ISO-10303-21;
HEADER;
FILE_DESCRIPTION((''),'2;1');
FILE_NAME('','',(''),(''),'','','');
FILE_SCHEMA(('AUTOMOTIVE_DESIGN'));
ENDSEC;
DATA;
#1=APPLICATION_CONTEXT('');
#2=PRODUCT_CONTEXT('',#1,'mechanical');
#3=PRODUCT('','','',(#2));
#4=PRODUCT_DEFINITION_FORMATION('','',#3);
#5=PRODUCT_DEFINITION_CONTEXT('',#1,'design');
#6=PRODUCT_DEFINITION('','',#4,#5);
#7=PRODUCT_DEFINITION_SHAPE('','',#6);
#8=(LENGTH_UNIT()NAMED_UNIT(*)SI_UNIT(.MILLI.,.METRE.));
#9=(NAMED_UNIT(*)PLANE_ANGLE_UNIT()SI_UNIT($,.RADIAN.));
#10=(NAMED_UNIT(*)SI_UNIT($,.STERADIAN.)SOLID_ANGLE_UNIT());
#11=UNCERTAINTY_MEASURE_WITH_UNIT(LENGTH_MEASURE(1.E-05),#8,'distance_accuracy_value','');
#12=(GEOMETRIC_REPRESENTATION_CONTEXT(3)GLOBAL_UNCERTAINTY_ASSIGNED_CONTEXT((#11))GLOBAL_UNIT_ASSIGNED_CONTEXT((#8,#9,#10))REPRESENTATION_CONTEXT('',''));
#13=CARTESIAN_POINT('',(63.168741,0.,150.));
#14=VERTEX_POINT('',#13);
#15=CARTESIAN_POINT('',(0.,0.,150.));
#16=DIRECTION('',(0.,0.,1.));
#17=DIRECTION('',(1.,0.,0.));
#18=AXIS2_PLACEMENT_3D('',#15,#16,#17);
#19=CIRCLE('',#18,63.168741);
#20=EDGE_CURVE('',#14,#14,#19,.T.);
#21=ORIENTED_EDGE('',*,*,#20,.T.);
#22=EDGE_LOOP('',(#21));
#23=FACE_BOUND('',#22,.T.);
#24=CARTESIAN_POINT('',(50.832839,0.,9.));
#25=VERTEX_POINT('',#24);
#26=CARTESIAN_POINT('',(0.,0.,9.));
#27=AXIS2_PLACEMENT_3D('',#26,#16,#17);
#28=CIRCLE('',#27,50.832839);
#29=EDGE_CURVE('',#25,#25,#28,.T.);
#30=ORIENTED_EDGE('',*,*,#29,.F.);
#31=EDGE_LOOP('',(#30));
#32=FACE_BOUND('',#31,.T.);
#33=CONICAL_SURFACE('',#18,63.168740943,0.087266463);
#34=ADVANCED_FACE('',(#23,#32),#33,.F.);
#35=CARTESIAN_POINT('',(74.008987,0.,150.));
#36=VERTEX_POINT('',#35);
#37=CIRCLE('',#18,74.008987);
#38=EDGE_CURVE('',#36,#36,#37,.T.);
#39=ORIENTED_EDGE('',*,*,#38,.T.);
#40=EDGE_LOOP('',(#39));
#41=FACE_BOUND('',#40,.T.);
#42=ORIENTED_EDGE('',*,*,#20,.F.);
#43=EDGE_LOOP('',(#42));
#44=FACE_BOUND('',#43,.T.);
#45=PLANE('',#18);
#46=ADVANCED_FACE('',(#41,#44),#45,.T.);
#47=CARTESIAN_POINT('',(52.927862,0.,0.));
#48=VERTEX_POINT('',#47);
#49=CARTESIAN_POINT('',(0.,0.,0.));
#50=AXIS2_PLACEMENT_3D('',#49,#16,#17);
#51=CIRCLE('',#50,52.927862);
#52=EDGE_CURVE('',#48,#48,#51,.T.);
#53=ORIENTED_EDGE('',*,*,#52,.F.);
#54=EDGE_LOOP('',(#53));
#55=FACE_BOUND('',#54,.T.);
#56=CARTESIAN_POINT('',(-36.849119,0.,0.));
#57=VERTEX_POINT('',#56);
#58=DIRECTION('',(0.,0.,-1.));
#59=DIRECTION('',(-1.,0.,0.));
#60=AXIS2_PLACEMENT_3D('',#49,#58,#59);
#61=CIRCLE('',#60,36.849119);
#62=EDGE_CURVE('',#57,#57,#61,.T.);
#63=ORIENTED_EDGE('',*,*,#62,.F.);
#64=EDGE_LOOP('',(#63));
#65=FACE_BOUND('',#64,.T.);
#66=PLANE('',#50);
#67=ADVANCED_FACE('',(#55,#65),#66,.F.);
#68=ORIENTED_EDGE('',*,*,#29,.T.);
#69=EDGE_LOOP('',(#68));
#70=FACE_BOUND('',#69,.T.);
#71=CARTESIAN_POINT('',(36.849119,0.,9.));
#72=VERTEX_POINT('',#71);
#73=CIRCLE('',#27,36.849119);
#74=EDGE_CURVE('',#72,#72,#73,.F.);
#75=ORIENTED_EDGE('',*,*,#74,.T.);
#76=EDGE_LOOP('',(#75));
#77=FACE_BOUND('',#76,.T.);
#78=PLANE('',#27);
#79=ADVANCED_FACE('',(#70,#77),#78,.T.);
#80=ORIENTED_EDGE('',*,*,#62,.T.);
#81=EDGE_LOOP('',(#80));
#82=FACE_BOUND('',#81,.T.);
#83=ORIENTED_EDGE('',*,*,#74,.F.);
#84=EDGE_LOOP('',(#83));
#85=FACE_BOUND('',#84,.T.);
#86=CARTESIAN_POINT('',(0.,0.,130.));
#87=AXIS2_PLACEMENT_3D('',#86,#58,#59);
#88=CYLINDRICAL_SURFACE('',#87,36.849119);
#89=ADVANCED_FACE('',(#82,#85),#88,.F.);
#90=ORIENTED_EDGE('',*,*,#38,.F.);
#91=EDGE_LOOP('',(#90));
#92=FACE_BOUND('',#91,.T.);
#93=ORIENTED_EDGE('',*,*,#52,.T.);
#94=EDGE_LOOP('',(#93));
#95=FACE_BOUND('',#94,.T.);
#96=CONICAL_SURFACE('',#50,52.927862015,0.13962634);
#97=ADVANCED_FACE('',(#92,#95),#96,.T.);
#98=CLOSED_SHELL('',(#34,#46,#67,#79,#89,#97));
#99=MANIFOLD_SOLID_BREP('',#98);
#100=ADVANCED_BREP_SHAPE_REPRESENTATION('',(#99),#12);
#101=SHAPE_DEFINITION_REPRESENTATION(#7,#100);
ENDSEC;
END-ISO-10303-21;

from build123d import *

# Parameters (mm, degrees)
SKETCH2_R           = 52.927862015
BOSS_EXTRUDE2_DEPTH = 150
BOSS_EXTRUDE2_DRAFT = -8
SKETCH6_R           = 36.849119173
CUT_EXTRUDE2_DEPTH  = 130
SKETCH8_R           = 63.168740943
CUT_EXTRUDE4_DEPTH  = 141
CUT_EXTRUDE4_DRAFT  = -5


with BuildPart() as part:
    # Sketch2 → Boss-Extrude2 (with draft: the straight prism first)
    with BuildSketch(Plane.XY):
        Circle(SKETCH2_R)
    extrude(amount=BOSS_EXTRUDE2_DEPTH)
    # Boss-Extrude2: the draft: its side faces are tilted about the plane it starts from
    boss_extrude2_sides = [part.faces().sort_by_distance(p)[0] for p in [
        (-52.927862015, 0, 75),
    ]]
    draft(boss_extrude2_sides, Plane.XY, BOSS_EXTRUDE2_DRAFT)

    # Sketch6 → Cut-Extrude2 (cut)
    with BuildSketch(Plane(origin=(0, 0, 0), x_dir=(-1, 0, 0), z_dir=(0, 0, -1))):
        Circle(SKETCH6_R)
    extrude(amount=-CUT_EXTRUDE2_DEPTH, mode=Mode.SUBTRACT)


with BuildPart() as cut_extrude4_tool:
    # Sketch8 → Cut-Extrude4 (with draft: the straight prism first)
    with BuildSketch(Plane.XY.offset(150)):
        Circle(SKETCH8_R)
    extrude(amount=-CUT_EXTRUDE4_DEPTH)
    # Cut-Extrude4: the draft: its side faces are tilted about the plane it starts from
    cut_extrude4_sides = [cut_extrude4_tool.faces().sort_by_distance(p)[0] for p in [
        (-63.168740943, 0, 79.5),
    ]]
    draft(cut_extrude4_sides, Plane.XY.offset(150), CUT_EXTRUDE4_DRAFT)


with BuildPart() as part_1:
    add(part.part)

    # Cut-Extrude4: cut by cut_extrude4_tool
    add(cut_extrude4_tool.part, mode=Mode.SUBTRACT)


solid = part_1.part
